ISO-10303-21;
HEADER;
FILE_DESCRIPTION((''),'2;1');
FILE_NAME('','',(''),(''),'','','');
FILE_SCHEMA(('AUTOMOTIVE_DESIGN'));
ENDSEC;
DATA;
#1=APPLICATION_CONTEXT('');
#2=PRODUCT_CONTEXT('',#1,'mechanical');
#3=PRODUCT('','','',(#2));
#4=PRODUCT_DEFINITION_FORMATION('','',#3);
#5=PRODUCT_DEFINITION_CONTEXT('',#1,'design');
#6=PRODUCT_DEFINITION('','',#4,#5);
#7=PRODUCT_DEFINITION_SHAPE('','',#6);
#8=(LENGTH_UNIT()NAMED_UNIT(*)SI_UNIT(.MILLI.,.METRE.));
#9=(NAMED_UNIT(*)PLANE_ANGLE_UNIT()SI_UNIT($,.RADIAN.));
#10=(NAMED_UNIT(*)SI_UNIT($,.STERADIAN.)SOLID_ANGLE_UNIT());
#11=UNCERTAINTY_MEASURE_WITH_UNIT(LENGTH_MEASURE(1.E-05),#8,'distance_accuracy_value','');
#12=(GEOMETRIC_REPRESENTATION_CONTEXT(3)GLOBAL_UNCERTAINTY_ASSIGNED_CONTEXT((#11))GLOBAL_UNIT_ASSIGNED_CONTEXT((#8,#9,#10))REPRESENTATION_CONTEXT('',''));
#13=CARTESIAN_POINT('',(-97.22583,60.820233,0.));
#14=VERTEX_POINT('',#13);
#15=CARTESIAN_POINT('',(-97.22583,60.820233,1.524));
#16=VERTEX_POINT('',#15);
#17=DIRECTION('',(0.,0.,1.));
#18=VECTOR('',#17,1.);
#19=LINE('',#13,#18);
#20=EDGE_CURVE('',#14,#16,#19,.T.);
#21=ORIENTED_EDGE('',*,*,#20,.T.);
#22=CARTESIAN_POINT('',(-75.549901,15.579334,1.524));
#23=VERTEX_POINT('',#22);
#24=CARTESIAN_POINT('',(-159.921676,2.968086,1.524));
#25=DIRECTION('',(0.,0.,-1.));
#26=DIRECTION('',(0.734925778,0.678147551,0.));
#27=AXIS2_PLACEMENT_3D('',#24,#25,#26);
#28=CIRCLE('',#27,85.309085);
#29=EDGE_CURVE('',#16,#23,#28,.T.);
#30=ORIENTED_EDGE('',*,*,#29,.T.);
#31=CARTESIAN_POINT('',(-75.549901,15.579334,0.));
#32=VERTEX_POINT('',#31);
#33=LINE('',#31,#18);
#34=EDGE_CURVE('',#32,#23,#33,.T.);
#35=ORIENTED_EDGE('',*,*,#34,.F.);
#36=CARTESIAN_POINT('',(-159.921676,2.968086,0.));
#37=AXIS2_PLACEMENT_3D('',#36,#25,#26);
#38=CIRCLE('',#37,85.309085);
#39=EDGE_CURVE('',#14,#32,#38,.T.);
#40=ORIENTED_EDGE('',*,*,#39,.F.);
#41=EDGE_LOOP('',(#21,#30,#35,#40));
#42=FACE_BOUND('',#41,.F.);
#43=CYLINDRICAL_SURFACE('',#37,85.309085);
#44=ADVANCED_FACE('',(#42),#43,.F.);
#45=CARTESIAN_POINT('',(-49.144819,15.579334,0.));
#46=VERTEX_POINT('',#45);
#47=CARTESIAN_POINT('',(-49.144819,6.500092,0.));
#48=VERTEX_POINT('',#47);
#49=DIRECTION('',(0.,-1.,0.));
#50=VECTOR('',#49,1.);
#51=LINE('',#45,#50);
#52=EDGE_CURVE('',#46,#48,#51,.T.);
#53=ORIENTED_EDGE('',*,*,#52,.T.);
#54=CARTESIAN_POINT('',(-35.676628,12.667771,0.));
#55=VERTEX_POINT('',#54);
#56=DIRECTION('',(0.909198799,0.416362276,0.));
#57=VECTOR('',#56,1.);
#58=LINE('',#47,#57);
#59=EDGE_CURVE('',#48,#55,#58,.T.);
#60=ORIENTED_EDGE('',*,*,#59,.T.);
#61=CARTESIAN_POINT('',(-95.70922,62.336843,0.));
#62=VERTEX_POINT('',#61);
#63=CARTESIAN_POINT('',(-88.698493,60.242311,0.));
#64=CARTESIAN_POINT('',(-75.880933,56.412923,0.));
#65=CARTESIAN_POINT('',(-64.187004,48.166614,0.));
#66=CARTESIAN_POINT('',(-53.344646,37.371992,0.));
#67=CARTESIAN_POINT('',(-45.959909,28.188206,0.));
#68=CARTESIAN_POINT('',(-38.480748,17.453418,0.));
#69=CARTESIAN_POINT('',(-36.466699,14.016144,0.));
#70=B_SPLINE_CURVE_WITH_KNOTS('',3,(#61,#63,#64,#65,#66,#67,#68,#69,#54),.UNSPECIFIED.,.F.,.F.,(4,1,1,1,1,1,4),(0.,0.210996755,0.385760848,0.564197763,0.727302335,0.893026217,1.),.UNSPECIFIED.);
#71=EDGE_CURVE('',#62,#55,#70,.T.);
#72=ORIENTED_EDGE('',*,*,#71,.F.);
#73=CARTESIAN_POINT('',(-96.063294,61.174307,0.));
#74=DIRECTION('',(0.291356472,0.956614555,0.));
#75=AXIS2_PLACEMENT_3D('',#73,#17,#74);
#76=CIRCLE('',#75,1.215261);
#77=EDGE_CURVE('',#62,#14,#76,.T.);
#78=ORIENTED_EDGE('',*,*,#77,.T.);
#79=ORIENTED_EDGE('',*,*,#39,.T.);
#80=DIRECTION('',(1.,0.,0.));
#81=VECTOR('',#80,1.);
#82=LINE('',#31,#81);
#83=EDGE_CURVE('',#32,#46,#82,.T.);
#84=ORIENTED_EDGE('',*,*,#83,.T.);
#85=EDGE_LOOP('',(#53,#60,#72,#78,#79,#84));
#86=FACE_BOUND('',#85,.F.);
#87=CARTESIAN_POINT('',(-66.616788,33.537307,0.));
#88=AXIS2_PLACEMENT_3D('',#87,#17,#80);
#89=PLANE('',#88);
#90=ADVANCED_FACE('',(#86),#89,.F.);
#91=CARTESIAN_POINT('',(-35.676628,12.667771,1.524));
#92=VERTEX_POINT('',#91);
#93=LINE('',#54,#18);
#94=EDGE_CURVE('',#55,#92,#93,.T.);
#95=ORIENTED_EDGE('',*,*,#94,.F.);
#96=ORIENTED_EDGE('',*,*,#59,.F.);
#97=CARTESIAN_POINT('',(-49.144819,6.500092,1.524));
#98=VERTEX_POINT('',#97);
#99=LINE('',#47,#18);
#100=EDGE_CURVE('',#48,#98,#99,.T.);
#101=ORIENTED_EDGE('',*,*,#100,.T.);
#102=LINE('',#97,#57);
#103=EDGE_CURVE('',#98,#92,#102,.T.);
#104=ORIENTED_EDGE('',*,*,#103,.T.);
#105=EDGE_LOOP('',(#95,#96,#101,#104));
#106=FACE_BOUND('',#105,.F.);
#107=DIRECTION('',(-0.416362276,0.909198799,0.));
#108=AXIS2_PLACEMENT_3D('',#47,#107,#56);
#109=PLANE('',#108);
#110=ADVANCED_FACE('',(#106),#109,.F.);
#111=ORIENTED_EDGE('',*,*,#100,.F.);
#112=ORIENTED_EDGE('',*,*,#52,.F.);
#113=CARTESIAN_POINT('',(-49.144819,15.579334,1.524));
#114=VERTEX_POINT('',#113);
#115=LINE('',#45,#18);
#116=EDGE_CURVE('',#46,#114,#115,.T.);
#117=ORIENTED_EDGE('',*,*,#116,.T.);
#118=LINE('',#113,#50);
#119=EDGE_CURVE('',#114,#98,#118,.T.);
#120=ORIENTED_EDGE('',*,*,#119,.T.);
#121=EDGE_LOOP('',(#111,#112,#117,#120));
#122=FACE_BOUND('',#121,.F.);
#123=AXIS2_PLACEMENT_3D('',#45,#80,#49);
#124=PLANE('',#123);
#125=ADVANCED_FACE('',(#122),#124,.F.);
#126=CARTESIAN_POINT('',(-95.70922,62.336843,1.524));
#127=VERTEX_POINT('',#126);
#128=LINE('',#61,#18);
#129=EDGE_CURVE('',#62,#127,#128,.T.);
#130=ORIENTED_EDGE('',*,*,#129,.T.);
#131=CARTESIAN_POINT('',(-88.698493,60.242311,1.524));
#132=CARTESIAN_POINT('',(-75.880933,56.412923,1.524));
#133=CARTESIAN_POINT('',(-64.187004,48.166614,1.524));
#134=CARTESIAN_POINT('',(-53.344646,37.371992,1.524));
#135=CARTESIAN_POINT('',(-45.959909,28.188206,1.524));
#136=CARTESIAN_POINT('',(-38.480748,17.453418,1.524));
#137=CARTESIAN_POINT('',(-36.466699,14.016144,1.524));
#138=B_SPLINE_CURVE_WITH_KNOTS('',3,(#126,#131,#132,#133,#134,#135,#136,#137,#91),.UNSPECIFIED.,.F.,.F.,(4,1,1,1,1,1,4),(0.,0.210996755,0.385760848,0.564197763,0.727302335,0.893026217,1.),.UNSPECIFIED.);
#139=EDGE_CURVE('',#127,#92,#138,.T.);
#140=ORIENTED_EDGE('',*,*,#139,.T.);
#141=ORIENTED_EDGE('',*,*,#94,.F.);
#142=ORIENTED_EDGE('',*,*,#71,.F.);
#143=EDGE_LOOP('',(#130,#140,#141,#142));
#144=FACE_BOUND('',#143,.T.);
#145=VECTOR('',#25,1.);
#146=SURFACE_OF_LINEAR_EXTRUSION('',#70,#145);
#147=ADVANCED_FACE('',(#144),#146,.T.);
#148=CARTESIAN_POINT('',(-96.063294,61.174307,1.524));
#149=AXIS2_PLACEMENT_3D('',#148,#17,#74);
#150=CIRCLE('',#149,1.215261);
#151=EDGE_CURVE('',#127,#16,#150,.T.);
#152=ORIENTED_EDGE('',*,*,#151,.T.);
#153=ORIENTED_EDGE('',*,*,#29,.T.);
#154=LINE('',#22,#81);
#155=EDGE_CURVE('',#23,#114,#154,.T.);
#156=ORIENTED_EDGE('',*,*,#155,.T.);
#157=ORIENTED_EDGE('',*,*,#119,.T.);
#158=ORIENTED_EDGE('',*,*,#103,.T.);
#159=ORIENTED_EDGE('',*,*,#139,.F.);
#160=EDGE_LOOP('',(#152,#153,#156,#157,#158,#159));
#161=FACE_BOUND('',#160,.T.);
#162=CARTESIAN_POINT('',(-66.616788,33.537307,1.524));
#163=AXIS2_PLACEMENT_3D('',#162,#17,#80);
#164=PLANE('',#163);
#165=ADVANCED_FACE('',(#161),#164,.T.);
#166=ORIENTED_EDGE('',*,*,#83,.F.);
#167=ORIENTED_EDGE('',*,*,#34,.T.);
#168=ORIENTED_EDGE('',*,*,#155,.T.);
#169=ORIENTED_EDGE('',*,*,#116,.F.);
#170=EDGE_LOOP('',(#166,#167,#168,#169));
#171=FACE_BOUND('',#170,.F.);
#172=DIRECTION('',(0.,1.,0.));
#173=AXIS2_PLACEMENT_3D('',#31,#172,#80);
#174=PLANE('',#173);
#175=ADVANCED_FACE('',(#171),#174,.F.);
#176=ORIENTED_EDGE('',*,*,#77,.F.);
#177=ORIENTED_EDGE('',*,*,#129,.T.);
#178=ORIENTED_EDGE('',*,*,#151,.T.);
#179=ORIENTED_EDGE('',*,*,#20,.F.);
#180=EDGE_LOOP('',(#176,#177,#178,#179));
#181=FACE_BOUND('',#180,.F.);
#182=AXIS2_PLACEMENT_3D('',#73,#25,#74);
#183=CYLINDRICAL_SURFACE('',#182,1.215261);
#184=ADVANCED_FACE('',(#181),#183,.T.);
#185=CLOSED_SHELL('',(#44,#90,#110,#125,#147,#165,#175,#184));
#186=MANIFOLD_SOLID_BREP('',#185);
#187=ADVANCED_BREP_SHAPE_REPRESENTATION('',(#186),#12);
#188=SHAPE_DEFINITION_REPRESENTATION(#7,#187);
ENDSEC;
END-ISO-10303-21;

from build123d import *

# Parameters (mm, degrees)
F1_DEPTH = 1.524


with BuildPart() as f1:
    # F0 (on Top) → F1 (new body)
    with BuildSketch(Plane.XY):
        with BuildLine():
            ThreePointArc((-97.2258299589, 60.8202330768), (-82.9872488984, 39.829094848), (-75.5499005318, 15.5793335289))
            Line((-75.5499005318, 15.5793335289), (-49.1448193789, 15.5793335289))
            Line((-49.1448193789, 15.5793335289), (-49.1448193789, 6.5000920648))
            Line((-49.1448193789, 6.5000920648), (-35.6766283512, 12.6677714288))
            add(Edge.make_bspline(
                [(-95.7092195749, 62.3368434608), (-88.6984934666, 60.2423114362), (-75.8809330839, 56.4129233978), (-64.1870043706, 48.1666141535), (-53.3446464842, 37.371991769), (-45.9599085979, 28.1882061692), (-38.4807479947, 17.4534181584), (-36.4666990508, 14.0161444444), (-35.6766283512, 12.6677714288)],
                knots=[0, 0, 0, 0, 0.2109967553, 0.3857608485, 0.5641977633, 0.7273023354, 0.893026217, 1, 1, 1, 1], degree=3))
            ThreePointArc((-95.7092195749, 62.3368434608), (-96.9226129192, 62.0336264211), (-97.2258299589, 60.8202330768))
        make_face()
    extrude(amount=F1_DEPTH)


solid = f1.part
